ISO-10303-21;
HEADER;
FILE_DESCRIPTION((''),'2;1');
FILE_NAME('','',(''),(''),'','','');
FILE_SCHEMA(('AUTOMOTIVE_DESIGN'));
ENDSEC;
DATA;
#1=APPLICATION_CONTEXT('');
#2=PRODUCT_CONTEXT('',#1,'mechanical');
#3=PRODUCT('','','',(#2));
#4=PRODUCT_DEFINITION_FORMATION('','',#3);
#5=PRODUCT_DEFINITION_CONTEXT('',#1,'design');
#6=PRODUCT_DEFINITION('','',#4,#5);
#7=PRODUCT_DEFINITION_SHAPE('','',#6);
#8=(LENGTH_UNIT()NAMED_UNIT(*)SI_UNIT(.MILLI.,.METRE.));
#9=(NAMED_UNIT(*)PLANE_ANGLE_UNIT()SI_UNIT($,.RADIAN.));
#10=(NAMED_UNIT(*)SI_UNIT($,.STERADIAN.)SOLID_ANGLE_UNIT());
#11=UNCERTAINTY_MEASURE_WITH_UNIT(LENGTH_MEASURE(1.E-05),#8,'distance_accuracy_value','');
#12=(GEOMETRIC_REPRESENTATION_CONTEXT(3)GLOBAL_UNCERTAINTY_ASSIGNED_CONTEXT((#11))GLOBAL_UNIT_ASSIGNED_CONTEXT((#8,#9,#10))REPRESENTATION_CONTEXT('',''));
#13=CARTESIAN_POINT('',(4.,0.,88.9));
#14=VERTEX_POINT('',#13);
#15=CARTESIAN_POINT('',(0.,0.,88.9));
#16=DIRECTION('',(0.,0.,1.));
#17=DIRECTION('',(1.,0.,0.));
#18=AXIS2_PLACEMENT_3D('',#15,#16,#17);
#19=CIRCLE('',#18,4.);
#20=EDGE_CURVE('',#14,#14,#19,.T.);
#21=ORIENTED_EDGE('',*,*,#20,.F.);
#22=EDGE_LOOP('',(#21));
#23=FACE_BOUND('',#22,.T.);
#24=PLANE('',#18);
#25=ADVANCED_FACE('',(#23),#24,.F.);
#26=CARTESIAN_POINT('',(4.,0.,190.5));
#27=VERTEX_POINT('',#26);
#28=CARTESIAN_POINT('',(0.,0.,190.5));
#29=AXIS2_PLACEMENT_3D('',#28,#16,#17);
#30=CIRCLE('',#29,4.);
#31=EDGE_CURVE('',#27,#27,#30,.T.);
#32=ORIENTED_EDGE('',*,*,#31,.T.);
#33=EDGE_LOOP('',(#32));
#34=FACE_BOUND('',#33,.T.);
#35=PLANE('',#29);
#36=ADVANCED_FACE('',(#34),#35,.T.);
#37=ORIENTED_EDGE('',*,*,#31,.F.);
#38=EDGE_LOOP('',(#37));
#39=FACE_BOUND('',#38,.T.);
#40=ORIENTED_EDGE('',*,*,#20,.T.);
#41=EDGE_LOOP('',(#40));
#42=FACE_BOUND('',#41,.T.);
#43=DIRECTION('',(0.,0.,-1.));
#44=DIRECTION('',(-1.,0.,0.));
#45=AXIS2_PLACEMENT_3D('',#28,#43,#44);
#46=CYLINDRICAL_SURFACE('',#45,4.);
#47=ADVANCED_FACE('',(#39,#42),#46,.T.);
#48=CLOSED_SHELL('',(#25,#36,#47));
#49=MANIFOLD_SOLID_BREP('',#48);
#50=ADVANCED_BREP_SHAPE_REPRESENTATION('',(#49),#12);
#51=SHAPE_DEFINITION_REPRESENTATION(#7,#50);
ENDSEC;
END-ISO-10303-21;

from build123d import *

# Parameters (mm, degrees)
SKETCH4_R           = 4
BOSS_EXTRUDE1_DEPTH = 101.6


with BuildPart() as part:
    # Sketch4 → Boss-Extrude1 (new body)
    with BuildSketch(Plane.XY.offset(88.9)):
        Circle(SKETCH4_R)
    extrude(amount=BOSS_EXTRUDE1_DEPTH)


solid = part.part
